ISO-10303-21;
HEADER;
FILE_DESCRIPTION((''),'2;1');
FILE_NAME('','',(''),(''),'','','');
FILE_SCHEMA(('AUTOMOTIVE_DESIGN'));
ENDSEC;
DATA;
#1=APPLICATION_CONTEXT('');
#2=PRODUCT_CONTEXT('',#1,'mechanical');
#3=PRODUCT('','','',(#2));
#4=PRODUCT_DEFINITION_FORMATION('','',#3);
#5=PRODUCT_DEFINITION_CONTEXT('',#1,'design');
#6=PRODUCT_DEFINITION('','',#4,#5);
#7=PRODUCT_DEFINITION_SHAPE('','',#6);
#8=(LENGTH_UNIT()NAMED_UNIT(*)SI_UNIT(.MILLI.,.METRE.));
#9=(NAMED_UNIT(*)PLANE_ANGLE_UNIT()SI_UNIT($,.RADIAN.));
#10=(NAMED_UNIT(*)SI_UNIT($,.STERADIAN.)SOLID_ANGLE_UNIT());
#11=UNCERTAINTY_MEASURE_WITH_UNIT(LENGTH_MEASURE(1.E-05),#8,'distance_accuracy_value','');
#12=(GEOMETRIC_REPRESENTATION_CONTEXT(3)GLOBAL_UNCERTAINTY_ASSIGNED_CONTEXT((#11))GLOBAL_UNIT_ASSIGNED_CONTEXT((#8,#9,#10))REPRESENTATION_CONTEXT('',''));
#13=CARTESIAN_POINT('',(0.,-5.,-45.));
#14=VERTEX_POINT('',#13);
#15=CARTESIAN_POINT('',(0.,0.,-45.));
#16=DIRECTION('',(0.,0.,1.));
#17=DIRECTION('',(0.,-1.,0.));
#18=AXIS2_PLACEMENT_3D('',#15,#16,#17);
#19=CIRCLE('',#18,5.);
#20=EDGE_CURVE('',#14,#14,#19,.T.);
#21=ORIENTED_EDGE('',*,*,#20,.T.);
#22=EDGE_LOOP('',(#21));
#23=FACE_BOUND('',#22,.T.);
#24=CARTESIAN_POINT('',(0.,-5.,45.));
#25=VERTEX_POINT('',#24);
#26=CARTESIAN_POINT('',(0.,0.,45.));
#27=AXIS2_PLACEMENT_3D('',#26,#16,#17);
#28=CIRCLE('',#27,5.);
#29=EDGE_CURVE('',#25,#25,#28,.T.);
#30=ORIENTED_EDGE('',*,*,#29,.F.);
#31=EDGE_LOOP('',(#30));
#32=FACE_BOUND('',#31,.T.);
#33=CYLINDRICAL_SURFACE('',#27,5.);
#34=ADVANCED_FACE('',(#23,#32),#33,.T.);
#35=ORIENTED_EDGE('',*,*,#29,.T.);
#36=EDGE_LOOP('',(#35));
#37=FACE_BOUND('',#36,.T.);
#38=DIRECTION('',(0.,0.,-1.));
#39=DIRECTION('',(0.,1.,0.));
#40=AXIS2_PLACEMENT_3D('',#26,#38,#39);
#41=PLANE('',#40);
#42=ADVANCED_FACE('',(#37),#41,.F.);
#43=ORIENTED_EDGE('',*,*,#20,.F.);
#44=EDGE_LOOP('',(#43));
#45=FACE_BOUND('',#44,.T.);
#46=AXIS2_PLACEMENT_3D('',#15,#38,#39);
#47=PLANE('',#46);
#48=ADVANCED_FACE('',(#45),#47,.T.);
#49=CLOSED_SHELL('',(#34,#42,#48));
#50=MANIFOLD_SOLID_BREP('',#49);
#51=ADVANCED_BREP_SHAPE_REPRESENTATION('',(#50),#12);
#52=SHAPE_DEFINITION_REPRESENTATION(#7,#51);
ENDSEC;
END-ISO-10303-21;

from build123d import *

# Parameters (mm, degrees)
SKETCH3_W = 90
SKETCH3_H = 5


with BuildPart() as part:
    # Sketch3 → Revolve1 (revolve)
    with BuildSketch(Plane(origin=(0, 0, 0), x_dir=(0, 0, -1), z_dir=(1, 0, 0))):
        with Locations((0, 2.5)):
            Rectangle(SKETCH3_W, SKETCH3_H)
    revolve(axis=Axis((0, 0, 45), (0, 0, -1)))


solid = part.part
